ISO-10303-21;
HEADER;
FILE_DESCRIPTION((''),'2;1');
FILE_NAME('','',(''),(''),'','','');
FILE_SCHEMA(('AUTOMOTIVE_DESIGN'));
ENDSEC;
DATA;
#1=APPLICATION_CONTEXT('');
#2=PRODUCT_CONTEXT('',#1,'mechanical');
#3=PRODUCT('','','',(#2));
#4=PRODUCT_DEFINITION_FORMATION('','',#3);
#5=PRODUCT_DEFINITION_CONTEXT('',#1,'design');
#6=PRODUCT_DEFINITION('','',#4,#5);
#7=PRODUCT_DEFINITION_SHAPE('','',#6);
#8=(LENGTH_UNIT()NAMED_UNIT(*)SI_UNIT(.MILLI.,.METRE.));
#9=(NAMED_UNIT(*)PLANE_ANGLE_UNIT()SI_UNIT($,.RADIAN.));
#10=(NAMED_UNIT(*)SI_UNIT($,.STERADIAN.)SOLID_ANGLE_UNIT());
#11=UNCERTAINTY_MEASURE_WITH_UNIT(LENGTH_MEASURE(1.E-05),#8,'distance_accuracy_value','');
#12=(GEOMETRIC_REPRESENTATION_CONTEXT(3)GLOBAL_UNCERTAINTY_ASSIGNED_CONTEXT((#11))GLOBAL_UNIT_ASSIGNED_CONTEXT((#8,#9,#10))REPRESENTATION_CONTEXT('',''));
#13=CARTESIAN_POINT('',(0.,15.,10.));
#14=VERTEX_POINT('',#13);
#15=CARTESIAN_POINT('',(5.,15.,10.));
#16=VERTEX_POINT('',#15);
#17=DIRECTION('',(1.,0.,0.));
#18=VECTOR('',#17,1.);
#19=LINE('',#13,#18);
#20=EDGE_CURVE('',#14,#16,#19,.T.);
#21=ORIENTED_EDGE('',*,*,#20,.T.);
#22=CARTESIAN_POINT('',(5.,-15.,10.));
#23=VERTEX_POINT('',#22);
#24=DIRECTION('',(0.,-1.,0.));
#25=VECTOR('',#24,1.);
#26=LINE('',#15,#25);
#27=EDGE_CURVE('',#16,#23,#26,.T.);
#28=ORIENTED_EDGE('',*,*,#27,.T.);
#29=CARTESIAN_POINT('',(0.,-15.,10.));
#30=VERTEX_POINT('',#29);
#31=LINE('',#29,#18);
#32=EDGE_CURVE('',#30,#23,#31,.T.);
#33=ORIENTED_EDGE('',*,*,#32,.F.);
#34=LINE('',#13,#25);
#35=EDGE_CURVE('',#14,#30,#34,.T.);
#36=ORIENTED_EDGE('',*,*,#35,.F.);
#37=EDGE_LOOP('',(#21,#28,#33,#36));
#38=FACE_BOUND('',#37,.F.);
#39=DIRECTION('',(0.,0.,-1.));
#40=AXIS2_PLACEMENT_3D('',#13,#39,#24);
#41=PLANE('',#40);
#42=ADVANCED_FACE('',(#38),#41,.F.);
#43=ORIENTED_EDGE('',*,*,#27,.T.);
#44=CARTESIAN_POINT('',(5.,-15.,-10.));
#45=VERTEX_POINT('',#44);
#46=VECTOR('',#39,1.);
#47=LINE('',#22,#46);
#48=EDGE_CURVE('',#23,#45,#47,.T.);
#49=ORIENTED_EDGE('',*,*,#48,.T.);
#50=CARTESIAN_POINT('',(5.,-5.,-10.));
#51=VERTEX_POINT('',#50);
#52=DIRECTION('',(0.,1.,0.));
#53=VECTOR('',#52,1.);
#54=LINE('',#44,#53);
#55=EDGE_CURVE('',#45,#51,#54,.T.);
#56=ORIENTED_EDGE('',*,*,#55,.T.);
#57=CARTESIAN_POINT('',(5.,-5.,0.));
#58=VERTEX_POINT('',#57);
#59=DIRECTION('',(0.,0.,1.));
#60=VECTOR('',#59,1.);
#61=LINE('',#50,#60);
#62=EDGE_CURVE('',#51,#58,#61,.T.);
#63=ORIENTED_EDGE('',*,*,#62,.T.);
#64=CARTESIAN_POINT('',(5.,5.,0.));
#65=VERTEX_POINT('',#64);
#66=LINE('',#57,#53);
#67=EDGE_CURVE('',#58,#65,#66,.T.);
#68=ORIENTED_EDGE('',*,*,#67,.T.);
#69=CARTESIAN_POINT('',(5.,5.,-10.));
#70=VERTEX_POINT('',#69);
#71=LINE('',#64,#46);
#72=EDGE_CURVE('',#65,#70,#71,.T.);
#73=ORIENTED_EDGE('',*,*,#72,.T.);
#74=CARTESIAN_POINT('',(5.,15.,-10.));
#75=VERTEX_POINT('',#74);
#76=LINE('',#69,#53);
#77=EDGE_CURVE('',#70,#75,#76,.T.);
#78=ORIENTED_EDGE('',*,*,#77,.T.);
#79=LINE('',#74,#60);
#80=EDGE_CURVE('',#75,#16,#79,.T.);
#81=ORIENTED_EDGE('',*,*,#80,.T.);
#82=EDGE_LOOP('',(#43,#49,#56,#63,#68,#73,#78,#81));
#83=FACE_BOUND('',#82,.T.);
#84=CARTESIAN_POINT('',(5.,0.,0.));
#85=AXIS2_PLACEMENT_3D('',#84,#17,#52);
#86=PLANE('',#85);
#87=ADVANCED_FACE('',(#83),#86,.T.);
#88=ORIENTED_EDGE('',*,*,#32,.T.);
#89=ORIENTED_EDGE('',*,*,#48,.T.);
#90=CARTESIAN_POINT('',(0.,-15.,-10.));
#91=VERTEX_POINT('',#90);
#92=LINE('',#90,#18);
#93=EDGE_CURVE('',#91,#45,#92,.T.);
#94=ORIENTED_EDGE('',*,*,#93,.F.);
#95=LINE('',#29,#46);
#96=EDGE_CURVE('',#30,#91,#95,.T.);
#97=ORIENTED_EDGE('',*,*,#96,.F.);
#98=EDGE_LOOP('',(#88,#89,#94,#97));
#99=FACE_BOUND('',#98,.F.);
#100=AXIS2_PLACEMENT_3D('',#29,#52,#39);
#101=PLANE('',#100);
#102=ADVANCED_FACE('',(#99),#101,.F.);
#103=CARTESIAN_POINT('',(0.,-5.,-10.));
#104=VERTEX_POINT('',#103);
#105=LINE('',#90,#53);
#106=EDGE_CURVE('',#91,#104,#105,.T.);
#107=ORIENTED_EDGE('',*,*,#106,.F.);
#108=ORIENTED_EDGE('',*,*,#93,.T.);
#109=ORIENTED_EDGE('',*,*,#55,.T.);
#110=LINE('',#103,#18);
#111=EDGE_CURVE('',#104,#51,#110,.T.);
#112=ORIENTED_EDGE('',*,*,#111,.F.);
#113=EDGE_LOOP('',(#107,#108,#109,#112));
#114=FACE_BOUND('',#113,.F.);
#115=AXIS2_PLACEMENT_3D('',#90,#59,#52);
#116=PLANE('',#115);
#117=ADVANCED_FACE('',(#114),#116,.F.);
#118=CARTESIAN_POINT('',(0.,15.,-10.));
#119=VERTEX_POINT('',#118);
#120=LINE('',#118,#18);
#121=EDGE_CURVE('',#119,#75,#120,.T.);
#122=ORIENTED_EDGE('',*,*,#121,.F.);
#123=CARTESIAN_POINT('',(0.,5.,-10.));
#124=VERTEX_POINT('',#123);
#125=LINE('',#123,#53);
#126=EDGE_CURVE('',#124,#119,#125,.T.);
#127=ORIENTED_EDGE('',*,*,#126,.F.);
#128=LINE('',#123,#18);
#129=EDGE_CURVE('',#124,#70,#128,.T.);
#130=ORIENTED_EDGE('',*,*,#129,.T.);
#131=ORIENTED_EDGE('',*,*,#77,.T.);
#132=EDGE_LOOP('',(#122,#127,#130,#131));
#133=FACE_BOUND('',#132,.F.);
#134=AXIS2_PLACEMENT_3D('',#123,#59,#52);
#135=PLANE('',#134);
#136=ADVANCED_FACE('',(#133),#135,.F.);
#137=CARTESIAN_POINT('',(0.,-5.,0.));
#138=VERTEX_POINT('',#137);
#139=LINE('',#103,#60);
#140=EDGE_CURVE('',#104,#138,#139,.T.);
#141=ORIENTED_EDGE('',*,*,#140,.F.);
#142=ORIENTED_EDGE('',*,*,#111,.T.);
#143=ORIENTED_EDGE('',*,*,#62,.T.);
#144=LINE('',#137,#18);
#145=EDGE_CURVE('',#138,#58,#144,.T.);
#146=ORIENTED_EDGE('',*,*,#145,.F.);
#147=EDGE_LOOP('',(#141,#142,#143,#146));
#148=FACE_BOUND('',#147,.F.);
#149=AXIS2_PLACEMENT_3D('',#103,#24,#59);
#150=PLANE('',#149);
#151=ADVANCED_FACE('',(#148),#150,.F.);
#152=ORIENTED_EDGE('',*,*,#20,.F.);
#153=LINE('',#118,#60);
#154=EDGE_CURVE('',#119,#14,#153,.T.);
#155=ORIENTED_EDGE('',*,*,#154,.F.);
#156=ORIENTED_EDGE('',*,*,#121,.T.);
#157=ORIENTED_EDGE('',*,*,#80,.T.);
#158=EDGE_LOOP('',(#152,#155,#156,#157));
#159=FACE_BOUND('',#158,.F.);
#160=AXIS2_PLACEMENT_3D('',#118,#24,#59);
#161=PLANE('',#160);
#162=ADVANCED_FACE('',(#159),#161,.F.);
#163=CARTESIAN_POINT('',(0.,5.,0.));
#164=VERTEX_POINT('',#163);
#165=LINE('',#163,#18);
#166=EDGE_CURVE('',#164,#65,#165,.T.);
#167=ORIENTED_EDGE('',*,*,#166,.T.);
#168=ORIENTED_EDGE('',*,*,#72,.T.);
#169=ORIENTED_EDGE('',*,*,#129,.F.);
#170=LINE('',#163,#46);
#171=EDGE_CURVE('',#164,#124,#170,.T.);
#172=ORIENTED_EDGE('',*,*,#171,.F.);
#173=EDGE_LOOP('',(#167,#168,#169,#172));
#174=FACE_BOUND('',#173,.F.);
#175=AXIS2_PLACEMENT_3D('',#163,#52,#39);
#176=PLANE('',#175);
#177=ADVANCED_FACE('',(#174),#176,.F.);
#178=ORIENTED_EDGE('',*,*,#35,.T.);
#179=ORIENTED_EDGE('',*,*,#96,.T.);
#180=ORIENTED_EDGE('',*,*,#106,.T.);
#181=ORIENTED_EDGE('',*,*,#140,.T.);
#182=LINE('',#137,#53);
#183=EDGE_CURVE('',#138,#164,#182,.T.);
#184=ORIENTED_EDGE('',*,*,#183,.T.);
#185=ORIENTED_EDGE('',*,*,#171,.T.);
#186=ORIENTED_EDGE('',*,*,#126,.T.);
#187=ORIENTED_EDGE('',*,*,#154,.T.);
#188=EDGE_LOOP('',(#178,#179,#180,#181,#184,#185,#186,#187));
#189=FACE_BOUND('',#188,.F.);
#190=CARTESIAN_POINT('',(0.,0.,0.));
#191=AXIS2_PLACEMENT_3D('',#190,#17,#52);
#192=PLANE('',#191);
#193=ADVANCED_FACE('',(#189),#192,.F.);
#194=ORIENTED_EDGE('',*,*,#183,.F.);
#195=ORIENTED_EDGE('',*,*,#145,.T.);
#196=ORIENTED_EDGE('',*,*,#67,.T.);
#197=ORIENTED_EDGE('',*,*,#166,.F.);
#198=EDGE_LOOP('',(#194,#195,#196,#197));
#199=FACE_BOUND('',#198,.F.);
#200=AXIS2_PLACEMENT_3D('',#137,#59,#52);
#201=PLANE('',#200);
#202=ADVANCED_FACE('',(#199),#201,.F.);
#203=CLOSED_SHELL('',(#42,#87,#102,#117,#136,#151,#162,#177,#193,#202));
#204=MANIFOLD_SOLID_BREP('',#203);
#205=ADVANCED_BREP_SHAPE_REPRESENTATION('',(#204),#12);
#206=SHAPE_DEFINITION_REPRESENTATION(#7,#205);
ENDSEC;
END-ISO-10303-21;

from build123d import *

# Parameters (mm, degrees)
F1_DEPTH = 5


with BuildPart() as f1:
    # F0 (on Right) → F1 (new body)
    with BuildSketch(Plane.YZ):
        Polygon((5, -10), (15, -10), (15, 10), (-15, 10), (-15, -10), (-5, -10), (-5, 0), (0, 0), (5, 0), align=None)
    extrude(amount=F1_DEPTH)


solid = f1.part
